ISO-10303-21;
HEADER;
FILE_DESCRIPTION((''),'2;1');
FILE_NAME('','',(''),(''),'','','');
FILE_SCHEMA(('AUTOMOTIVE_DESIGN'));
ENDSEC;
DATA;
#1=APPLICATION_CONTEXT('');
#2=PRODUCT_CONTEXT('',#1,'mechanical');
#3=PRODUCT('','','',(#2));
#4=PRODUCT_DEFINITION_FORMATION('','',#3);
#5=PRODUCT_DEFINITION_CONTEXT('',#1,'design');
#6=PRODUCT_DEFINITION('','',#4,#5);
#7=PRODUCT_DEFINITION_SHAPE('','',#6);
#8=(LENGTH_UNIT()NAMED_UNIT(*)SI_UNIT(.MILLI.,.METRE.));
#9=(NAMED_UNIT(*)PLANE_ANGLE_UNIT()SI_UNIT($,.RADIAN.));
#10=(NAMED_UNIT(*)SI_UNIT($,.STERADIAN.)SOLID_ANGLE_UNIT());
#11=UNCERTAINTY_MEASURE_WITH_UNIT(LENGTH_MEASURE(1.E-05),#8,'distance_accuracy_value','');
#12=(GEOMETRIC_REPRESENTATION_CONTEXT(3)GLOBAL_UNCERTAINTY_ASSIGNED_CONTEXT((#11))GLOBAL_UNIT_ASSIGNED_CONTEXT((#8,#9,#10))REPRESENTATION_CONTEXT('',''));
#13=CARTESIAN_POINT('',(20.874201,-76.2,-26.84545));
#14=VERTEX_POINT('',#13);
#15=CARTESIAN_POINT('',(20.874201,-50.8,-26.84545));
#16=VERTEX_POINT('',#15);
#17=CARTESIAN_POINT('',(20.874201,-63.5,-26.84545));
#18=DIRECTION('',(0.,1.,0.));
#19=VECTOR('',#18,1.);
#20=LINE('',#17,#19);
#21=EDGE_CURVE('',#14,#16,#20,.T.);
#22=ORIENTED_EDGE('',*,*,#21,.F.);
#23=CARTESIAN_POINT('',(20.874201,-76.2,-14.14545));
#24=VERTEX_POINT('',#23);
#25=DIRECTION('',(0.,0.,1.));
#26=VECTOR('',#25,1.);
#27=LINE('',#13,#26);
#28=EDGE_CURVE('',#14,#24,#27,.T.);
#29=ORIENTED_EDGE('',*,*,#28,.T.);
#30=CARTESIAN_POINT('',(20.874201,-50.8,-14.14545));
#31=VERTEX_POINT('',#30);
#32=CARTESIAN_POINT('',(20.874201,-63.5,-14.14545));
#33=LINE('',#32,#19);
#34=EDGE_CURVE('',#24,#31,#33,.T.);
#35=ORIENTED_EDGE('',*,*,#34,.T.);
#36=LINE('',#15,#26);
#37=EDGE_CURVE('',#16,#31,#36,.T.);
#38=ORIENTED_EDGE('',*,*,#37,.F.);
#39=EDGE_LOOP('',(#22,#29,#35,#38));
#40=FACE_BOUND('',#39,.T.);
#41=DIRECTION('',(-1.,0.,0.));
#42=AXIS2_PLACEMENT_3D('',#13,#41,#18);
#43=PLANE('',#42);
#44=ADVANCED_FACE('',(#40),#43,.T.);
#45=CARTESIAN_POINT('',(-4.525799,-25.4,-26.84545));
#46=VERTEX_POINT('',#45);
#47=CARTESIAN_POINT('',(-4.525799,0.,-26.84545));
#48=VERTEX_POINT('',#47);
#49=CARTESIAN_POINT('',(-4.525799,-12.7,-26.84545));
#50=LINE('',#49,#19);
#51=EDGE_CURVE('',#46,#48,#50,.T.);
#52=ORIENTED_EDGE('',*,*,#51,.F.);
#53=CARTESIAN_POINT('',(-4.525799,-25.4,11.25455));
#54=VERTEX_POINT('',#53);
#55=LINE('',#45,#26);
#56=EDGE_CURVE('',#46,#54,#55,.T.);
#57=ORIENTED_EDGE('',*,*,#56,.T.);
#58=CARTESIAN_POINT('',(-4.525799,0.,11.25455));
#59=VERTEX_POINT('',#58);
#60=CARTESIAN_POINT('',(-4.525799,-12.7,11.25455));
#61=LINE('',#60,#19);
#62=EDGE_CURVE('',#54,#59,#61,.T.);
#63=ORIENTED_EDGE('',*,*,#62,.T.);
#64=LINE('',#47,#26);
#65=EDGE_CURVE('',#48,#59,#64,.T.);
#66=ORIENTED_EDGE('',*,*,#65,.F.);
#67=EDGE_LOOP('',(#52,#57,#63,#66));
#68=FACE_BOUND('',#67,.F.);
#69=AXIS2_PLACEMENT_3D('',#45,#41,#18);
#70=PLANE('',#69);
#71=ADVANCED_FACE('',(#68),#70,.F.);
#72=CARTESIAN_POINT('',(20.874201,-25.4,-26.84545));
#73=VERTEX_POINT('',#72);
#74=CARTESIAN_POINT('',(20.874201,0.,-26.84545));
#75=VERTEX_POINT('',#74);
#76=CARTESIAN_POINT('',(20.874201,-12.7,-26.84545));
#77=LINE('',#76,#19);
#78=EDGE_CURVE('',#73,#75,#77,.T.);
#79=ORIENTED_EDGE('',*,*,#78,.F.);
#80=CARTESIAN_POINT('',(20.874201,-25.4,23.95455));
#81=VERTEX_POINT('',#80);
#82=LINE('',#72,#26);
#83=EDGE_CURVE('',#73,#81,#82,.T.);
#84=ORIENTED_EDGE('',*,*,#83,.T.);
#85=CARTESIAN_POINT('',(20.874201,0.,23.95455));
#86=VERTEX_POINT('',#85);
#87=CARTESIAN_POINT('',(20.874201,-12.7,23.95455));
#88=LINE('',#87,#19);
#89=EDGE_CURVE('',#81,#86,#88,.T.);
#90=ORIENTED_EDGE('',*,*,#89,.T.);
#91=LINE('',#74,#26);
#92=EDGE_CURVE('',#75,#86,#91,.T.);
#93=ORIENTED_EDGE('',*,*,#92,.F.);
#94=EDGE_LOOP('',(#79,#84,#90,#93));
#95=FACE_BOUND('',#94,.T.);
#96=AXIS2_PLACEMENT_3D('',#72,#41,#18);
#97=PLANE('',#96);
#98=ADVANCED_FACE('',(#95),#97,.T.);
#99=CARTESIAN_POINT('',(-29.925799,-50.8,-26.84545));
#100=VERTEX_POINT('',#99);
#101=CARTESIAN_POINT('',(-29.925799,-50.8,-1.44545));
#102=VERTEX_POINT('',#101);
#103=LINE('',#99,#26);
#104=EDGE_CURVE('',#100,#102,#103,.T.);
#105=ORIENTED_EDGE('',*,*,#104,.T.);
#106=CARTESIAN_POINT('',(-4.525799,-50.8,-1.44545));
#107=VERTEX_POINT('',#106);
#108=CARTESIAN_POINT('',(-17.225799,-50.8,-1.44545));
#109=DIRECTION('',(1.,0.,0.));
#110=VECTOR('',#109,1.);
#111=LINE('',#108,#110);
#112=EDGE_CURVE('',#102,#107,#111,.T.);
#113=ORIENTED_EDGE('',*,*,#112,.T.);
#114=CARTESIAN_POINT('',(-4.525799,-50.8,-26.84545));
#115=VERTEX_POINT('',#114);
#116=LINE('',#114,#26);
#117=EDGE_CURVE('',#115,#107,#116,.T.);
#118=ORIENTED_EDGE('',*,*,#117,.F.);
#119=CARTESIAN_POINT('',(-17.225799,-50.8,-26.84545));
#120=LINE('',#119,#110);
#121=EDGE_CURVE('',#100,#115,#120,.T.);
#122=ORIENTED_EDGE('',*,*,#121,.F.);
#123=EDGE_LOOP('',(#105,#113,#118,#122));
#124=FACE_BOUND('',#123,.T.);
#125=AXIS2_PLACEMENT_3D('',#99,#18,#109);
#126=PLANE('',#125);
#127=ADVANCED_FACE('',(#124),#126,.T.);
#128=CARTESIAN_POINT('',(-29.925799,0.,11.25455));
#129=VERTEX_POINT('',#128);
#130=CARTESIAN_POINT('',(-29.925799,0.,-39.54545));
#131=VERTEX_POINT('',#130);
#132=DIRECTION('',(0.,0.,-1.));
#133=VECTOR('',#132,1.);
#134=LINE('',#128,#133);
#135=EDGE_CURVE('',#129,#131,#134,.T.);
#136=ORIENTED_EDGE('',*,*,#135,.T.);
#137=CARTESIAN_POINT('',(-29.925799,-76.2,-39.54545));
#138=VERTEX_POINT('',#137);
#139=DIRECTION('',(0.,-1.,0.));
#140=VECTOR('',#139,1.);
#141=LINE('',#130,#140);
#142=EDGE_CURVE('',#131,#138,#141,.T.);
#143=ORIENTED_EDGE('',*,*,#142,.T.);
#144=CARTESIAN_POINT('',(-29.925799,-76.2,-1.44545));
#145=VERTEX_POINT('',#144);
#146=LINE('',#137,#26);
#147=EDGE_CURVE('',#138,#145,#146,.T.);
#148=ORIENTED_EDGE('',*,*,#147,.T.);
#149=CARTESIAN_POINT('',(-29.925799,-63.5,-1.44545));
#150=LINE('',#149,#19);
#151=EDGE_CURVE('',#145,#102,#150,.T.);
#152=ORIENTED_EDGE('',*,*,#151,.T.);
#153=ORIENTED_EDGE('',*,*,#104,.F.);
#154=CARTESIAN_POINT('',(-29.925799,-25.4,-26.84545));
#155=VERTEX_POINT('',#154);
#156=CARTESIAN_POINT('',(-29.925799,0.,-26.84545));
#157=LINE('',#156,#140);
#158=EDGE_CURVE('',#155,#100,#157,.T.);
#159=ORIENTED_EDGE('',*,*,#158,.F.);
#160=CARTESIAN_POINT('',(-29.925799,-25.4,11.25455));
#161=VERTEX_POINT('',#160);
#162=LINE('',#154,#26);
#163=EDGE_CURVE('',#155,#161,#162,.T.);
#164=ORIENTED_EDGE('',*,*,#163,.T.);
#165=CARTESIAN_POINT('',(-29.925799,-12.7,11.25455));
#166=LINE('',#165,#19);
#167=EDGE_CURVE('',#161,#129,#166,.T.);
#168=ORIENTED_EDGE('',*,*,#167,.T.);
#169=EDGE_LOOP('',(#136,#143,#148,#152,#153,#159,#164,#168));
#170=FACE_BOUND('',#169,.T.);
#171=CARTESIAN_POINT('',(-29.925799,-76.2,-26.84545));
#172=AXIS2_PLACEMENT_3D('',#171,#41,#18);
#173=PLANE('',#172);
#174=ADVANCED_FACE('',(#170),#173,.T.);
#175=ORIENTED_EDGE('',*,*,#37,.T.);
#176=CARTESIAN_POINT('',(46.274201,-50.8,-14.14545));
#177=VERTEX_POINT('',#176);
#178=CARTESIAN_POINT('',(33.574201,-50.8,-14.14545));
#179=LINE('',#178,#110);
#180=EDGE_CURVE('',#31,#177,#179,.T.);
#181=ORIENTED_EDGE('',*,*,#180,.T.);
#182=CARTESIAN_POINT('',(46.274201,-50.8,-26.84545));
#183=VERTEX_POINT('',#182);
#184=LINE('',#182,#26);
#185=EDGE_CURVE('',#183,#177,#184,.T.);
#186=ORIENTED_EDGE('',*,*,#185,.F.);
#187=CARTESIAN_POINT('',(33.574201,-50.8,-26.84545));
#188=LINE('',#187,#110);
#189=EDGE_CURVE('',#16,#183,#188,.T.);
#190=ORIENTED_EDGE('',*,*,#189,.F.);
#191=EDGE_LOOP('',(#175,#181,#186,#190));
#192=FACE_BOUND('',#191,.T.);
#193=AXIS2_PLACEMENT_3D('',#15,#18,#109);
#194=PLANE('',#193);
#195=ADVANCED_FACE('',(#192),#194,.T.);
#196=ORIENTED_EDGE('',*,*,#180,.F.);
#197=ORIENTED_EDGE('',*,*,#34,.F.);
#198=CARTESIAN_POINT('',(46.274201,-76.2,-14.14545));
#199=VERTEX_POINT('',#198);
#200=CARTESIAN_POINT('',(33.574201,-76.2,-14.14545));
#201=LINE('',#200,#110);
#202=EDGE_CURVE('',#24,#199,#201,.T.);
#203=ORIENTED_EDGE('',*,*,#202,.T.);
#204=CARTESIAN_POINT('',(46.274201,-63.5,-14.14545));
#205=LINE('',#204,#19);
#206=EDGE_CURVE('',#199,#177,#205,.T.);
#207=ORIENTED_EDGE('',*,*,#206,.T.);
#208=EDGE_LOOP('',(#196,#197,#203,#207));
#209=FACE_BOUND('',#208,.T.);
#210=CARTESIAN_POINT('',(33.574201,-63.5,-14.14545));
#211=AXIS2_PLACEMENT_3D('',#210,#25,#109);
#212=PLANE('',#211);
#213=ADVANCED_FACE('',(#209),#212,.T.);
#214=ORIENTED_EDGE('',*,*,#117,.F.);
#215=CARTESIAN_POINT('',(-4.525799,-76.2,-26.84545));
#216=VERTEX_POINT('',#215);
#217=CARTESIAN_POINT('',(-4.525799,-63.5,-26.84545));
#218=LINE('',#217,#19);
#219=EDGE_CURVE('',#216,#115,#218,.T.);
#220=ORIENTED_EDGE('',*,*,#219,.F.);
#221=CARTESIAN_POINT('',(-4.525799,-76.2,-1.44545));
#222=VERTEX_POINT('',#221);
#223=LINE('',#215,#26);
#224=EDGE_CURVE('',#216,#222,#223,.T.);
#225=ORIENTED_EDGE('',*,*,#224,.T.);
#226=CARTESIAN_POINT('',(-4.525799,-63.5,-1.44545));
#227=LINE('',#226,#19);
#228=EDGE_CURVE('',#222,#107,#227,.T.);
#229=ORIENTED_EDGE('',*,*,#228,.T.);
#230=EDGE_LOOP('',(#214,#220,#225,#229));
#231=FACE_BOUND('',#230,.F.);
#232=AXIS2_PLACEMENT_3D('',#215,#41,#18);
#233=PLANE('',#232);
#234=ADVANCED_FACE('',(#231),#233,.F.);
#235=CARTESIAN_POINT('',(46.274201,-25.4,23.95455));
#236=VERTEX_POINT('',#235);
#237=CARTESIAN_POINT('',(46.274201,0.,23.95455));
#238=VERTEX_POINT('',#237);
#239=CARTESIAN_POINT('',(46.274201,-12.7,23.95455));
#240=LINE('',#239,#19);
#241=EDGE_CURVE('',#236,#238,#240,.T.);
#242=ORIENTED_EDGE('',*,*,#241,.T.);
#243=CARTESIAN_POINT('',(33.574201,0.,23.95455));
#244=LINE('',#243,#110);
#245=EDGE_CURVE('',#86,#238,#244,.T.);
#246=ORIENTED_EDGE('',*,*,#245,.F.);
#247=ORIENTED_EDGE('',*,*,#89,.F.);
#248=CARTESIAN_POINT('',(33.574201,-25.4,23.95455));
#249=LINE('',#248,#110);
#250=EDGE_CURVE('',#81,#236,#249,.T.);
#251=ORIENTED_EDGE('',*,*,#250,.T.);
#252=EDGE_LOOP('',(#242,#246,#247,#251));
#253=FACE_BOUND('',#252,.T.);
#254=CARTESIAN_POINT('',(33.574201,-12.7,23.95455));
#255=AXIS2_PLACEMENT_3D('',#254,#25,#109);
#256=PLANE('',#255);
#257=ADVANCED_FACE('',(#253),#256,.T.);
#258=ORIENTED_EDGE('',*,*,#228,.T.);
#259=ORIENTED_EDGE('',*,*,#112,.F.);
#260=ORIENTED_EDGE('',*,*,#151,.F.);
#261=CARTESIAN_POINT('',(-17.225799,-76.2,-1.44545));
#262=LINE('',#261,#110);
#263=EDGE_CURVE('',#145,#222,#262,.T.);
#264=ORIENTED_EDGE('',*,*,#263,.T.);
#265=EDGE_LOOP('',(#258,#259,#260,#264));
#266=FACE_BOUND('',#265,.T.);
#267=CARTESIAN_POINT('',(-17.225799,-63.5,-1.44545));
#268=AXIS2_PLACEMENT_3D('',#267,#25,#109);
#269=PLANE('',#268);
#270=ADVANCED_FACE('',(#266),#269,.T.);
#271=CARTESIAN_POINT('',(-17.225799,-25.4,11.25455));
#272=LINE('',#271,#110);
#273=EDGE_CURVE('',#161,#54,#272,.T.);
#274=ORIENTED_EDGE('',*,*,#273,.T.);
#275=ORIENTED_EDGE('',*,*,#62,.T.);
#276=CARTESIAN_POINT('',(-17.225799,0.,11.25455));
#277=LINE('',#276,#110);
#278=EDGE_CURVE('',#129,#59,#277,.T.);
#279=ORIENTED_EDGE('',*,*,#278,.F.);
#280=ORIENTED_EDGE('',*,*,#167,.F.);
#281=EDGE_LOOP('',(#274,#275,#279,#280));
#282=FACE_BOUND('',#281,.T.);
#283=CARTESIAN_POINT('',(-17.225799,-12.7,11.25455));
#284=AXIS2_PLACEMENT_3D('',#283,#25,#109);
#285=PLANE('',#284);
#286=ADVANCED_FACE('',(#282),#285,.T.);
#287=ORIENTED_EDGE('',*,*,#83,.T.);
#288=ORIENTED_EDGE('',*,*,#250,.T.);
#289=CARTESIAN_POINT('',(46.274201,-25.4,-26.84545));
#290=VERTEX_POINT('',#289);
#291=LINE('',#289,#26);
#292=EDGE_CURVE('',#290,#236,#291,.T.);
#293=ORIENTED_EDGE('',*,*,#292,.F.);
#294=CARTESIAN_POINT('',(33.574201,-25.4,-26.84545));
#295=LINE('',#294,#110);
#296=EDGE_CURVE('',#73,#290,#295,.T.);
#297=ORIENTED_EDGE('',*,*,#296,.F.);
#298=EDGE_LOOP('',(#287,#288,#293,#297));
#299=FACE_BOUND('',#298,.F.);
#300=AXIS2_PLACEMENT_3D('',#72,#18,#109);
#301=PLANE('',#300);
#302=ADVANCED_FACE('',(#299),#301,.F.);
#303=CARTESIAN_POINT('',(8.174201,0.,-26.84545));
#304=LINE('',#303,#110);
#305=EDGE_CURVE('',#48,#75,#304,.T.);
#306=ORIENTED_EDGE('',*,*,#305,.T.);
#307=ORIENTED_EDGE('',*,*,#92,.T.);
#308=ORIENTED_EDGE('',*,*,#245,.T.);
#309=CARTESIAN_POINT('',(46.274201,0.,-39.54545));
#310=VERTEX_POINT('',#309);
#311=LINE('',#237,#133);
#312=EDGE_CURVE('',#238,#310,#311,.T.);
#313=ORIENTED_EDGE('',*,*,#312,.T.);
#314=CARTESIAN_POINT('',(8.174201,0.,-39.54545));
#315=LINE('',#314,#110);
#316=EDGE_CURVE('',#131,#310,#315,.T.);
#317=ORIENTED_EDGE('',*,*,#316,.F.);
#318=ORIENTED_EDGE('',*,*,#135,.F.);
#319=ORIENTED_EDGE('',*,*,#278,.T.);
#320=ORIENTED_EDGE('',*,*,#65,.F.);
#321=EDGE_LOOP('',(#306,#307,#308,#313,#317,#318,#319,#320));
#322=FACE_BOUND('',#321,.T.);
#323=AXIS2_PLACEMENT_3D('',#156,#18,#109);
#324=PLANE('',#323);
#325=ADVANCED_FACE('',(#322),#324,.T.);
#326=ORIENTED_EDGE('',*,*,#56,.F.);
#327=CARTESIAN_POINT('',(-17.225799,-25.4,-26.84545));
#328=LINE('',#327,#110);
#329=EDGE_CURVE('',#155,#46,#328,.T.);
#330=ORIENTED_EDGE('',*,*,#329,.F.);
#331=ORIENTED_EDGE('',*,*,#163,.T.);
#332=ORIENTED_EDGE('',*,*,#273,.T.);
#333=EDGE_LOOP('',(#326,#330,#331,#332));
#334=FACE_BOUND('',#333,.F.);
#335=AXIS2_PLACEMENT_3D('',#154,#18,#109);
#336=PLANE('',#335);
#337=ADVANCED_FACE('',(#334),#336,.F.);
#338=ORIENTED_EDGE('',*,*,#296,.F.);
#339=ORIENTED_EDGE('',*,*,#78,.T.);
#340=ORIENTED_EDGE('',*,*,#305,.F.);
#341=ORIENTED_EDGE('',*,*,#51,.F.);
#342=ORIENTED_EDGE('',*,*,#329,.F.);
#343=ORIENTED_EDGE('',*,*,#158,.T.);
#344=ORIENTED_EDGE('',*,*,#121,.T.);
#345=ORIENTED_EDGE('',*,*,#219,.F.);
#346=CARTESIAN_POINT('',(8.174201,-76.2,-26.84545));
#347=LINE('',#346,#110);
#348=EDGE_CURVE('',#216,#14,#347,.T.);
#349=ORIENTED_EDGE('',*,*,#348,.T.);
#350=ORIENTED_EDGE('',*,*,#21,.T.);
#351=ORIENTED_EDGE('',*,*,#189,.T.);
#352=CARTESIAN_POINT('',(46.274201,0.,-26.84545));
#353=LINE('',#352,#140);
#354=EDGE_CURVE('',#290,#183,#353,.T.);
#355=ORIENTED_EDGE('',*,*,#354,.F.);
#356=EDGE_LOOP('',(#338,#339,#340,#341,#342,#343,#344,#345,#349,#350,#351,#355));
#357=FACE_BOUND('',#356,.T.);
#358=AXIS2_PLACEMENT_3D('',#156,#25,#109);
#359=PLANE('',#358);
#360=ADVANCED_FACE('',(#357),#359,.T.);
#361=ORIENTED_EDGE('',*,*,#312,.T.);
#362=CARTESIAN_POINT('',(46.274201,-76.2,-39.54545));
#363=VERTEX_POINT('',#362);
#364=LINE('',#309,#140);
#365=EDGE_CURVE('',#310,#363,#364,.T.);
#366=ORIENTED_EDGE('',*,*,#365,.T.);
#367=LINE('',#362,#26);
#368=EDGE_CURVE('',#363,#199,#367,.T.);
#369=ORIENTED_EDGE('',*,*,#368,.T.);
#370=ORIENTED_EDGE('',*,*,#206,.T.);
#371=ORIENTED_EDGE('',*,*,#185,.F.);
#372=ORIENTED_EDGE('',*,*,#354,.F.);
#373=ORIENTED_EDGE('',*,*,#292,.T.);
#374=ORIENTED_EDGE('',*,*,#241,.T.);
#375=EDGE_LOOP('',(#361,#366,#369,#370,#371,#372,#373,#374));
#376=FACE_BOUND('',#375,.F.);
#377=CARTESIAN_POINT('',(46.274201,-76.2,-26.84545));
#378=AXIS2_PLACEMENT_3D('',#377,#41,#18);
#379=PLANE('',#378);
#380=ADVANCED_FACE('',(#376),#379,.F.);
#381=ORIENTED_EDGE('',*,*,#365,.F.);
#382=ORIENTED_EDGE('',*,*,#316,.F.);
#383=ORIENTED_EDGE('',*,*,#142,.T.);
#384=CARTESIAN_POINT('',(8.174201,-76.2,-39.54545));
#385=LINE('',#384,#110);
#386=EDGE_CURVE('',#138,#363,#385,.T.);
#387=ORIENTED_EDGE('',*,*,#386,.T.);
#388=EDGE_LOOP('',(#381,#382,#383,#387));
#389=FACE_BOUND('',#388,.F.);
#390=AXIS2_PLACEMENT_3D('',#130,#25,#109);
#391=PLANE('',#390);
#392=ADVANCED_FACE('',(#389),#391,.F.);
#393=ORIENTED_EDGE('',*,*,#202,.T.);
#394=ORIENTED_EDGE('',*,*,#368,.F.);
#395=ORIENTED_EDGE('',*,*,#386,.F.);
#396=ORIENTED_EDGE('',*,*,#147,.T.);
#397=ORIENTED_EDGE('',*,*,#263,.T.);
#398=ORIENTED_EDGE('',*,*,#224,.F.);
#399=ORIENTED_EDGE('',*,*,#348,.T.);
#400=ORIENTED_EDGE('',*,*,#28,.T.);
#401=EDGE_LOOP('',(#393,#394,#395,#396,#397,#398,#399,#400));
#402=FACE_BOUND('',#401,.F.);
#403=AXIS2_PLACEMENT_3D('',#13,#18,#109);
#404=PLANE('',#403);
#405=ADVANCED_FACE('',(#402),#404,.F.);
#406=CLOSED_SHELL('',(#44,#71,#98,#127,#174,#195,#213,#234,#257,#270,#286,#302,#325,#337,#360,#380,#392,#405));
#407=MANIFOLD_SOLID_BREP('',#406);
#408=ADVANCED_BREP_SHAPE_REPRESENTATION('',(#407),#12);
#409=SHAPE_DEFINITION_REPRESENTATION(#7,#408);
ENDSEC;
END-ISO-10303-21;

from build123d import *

# Parameters (mm, degrees)
F0_W     = 76.2
F0_H     = 12.7
F1_DEPTH = 76.2
F2_W     = 25.4
F2_H     = 25.4
F3_DEPTH = 50.8
F4_W     = 25.4
F4_H     = 25.4
F5_DEPTH = 38.1
F6_W     = 25.4
F6_H     = 25.4
F7_DEPTH = 25.4
F8_W     = 25.4
F8_H     = 25.4
F9_DEPTH = 12.7


with BuildPart() as f1:
    # F0 (on Front) → F1 (new body)
    with BuildSketch(Plane.XZ):
        with Locations((8.174201, -33.19545)):
            Rectangle(F0_W, F0_H)
    extrude(amount=F1_DEPTH)

    # F2 (on face) → F3 (join)
    with BuildSketch(Plane.XY.offset(-26.84545)):
        with Locations((33.574201, -12.7)):
            Rectangle(F2_W, F2_H)
    extrude(amount=F3_DEPTH)

    # F4 (on face) → F5 (join)
    with BuildSketch(Plane.XY.offset(-26.84545)):
        with Locations((-17.225799, -12.7)):
            Rectangle(F4_W, F4_H)
    extrude(amount=F5_DEPTH)

    # F6 (on face) → F7 (join)
    with BuildSketch(Plane.XY.offset(-26.84545)):
        with Locations((-17.225799, -63.5)):
            Rectangle(F6_W, F6_H)
    extrude(amount=F7_DEPTH)

    # F8 (on face) → F9 (join)
    with BuildSketch(Plane.XY.offset(-26.84545)):
        with Locations((33.574201, -63.5)):
            Rectangle(F8_W, F8_H)
    extrude(amount=F9_DEPTH)


solid = f1.part
